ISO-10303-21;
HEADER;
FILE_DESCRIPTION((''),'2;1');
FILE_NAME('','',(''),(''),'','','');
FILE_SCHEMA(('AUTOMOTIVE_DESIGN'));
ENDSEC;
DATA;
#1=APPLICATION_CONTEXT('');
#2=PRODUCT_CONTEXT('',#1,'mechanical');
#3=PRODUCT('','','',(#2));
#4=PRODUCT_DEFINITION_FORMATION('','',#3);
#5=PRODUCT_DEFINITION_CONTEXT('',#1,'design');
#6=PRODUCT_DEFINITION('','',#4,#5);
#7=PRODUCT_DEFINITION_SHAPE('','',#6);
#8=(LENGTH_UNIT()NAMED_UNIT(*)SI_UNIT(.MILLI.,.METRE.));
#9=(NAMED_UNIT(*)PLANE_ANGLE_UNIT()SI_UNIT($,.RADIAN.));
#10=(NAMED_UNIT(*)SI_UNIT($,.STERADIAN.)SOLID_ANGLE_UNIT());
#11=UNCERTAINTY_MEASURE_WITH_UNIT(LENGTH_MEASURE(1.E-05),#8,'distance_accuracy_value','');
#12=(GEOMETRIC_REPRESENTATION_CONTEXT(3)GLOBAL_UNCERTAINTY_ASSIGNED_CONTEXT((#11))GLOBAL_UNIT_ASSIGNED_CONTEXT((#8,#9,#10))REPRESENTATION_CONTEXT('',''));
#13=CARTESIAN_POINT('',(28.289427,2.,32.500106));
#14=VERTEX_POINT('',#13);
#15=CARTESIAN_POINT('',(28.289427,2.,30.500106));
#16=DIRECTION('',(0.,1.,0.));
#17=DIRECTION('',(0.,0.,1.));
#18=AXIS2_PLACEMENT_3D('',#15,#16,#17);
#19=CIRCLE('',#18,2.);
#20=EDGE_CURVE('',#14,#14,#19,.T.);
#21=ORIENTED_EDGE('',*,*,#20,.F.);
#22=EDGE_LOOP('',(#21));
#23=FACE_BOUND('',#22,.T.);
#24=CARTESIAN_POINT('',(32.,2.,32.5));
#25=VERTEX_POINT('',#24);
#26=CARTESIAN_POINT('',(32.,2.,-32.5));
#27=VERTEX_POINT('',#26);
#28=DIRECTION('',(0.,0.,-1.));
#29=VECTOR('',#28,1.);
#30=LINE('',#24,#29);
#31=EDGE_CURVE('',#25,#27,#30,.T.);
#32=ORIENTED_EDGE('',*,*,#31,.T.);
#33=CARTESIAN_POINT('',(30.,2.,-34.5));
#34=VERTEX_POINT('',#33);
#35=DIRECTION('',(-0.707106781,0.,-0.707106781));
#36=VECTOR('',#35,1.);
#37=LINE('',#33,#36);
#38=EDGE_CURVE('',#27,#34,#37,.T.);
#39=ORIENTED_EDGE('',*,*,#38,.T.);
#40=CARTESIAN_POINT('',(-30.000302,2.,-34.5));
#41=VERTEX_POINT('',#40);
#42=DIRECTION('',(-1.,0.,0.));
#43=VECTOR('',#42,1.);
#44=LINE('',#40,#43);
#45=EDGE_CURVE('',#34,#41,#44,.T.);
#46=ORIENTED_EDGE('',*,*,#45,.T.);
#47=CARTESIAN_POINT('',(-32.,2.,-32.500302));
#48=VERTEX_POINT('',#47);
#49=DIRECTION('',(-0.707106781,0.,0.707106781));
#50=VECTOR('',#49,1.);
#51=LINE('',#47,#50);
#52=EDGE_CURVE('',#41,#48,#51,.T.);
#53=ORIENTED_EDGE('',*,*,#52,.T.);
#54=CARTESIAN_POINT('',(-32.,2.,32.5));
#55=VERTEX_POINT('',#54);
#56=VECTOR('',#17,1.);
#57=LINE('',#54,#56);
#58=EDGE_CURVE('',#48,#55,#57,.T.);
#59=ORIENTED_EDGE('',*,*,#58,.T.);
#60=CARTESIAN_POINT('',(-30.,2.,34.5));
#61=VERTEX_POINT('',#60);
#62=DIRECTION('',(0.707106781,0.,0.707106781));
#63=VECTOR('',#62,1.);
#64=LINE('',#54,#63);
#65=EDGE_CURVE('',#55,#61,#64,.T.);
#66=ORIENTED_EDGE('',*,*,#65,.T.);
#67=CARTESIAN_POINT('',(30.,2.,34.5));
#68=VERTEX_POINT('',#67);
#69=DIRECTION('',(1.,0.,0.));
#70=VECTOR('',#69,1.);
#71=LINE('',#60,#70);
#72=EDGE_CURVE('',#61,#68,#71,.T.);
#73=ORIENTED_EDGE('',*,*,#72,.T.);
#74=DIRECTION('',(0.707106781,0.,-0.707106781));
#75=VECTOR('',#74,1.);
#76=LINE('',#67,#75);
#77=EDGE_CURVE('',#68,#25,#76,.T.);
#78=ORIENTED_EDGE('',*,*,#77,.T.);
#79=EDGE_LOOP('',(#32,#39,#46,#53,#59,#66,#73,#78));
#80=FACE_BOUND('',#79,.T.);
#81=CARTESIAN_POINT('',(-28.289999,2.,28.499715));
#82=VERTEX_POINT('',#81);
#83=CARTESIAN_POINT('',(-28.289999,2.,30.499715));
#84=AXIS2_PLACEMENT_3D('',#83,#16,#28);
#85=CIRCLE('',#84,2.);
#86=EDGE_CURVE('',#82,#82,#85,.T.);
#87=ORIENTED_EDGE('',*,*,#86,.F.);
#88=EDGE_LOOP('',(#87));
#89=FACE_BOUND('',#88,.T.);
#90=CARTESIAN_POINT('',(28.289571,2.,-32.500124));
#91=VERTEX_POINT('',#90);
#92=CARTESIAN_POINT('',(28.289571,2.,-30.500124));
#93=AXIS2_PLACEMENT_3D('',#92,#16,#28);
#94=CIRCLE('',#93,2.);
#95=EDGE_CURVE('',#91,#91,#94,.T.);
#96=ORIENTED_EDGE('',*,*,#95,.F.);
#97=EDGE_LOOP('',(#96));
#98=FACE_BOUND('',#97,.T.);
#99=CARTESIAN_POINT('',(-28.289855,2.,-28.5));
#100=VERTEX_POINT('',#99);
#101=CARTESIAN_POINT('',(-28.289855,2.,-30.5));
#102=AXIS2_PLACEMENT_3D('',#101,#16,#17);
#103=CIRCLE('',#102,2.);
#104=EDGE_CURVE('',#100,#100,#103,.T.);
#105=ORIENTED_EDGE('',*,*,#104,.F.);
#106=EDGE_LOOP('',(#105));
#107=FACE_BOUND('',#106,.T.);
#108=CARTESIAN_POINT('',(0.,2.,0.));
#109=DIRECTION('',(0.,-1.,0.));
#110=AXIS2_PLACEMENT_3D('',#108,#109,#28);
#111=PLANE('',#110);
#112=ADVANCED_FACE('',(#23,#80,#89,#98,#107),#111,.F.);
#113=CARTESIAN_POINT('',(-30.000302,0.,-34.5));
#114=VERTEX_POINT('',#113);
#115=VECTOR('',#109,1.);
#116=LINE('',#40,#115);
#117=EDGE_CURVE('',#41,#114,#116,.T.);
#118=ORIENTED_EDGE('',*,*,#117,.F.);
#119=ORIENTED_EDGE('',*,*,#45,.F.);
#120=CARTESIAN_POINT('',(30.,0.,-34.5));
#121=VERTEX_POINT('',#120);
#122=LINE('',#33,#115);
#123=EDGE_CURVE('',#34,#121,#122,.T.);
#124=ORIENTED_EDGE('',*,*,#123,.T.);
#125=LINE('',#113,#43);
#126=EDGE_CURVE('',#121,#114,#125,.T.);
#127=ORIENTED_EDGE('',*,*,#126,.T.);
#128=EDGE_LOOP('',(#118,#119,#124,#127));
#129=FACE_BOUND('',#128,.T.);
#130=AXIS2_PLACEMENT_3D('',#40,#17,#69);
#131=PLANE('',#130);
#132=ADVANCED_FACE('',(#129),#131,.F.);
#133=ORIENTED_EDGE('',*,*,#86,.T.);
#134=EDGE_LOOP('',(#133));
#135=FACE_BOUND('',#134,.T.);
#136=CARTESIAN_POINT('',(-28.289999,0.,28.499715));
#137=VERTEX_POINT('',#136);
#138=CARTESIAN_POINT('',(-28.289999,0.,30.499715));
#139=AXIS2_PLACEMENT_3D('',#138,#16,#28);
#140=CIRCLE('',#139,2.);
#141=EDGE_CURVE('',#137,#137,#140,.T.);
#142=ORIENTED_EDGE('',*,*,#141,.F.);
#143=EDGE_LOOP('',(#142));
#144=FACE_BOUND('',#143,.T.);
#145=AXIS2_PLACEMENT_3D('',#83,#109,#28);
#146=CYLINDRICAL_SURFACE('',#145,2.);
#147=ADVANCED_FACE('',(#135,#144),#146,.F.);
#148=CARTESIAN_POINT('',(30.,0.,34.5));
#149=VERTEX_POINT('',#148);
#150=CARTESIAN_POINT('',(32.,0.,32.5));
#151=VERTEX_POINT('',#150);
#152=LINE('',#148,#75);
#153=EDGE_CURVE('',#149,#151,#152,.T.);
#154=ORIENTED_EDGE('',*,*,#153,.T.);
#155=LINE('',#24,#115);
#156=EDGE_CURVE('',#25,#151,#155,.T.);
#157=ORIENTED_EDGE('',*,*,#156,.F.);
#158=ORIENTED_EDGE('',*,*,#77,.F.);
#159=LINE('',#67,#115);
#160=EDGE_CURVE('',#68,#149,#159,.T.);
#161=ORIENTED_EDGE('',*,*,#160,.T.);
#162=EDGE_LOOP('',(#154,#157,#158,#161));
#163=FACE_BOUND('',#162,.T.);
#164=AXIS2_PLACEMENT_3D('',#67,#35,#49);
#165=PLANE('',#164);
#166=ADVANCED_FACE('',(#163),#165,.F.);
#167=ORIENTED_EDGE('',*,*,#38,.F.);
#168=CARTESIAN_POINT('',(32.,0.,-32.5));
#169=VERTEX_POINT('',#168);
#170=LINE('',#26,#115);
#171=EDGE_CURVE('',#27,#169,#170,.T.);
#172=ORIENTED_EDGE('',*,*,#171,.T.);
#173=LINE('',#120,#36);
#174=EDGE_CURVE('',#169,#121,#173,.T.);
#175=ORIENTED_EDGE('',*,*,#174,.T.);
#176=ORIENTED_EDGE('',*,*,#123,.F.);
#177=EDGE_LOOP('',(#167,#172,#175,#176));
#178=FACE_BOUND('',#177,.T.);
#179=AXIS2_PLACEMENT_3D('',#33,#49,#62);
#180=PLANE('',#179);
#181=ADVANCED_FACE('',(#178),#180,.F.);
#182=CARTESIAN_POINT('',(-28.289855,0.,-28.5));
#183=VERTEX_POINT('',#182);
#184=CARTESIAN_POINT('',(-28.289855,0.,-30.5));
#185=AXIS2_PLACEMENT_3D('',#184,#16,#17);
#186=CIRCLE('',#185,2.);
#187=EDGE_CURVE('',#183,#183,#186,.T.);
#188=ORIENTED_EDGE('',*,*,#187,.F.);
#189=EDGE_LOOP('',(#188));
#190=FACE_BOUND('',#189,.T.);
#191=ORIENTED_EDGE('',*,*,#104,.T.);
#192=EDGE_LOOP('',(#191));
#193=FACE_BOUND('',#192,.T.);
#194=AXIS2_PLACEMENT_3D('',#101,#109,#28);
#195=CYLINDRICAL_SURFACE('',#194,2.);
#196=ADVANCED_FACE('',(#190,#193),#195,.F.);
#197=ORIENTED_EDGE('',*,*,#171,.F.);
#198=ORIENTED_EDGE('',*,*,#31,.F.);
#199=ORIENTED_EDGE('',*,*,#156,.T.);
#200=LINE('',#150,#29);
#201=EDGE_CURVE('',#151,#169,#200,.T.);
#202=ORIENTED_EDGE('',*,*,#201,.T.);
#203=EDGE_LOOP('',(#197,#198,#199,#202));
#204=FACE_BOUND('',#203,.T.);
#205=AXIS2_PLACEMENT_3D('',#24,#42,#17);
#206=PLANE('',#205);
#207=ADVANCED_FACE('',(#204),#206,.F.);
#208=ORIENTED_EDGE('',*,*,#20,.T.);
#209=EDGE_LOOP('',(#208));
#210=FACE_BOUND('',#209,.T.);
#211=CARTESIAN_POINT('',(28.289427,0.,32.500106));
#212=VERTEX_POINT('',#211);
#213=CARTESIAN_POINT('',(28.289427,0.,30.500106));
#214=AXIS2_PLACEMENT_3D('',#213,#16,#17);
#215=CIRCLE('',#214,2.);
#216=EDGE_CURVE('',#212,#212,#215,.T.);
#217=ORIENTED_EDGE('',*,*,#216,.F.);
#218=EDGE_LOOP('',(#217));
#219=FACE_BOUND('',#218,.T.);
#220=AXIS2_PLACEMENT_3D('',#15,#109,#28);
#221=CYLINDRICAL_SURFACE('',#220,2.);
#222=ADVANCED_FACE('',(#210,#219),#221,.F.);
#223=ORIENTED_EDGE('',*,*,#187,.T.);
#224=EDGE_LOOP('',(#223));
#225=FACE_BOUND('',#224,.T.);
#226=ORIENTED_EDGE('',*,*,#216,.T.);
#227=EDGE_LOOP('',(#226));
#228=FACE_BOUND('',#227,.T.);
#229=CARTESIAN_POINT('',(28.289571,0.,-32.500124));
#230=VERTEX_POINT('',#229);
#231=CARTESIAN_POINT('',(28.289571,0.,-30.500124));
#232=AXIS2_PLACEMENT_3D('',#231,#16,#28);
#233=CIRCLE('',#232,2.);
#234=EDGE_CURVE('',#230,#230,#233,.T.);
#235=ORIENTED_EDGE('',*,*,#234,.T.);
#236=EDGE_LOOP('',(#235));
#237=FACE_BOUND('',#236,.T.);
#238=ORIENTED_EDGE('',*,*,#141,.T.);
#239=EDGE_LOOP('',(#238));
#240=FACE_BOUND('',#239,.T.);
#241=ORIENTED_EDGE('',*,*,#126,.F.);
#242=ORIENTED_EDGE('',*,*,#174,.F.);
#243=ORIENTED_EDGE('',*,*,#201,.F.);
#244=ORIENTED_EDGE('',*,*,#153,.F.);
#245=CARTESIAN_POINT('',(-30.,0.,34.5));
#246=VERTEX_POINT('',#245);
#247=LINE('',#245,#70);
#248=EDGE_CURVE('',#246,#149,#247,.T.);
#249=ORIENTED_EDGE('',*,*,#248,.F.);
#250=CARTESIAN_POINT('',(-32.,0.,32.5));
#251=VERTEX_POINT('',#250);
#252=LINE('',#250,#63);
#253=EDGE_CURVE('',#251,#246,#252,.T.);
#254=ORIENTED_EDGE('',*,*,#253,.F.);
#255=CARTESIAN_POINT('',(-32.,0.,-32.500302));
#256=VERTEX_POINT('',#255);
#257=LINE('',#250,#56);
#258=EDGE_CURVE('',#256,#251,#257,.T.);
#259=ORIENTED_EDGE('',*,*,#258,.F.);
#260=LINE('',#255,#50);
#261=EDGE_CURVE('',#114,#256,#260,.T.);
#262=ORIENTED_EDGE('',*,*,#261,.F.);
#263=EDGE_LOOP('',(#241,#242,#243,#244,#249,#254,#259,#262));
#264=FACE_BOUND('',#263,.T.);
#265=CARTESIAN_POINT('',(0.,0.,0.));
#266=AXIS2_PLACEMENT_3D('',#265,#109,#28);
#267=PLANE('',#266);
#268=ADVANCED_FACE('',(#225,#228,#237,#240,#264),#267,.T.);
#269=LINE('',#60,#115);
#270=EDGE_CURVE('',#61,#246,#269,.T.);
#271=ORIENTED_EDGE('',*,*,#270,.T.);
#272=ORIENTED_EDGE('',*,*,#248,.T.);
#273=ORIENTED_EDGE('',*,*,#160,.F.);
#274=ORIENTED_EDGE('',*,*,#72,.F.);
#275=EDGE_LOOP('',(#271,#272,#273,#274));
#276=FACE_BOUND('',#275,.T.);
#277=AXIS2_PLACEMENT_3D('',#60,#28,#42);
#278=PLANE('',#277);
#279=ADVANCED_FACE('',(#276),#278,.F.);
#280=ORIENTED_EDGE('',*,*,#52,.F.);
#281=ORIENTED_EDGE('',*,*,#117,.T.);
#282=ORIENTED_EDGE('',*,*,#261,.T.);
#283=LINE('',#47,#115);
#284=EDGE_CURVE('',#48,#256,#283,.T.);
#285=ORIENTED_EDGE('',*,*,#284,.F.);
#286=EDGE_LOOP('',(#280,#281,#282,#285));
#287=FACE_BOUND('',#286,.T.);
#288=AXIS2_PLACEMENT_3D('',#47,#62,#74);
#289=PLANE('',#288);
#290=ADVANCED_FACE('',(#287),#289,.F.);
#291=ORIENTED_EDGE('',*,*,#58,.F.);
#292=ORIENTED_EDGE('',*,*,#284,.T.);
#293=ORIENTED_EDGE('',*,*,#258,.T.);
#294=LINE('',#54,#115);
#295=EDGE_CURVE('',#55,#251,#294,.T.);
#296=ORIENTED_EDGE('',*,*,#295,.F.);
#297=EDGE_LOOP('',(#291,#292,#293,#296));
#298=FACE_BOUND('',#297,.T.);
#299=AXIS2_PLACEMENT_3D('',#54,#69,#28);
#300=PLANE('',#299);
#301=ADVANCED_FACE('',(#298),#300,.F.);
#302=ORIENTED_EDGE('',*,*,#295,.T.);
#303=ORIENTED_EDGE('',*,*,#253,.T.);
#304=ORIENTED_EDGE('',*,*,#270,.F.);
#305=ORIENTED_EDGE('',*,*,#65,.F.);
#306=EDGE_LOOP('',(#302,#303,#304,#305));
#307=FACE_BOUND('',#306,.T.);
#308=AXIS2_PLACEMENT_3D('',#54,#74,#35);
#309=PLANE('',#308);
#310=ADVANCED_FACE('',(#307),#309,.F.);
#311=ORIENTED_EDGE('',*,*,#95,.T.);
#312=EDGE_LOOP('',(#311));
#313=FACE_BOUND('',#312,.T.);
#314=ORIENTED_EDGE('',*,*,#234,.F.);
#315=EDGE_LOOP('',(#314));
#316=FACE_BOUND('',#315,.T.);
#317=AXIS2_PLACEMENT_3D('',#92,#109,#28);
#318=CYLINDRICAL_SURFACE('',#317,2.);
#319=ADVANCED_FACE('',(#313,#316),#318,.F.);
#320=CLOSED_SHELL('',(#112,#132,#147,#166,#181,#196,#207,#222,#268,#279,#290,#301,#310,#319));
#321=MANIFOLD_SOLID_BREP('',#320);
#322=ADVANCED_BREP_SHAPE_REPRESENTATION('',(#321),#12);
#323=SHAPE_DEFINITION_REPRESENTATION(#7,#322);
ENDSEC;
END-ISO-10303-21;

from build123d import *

# Parameters (mm, degrees)
SKETCH1_R           = 2
BOSS_EXTRUDE1_DEPTH = 2


with BuildPart() as part:
    # Sketch1 → Boss-Extrude1 (new body)
    with BuildSketch(Plane(origin=(0, 0, 0), x_dir=(1, 0, 0), z_dir=(0, 1, 0))):
        Polygon((-32, 32.500302023), (-30.000302023, 34.5), (30, 34.5), (32, 32.5), (32, -32.5), (30, -34.5), (-30, -34.5), (-32, -32.5), align=None)
        with Locations((-28.289855072, 30.5)):
            Circle(SKETCH1_R, mode=Mode.SUBTRACT)
        with Locations((28.289570558, 30.500123828)):
            Circle(SKETCH1_R, mode=Mode.SUBTRACT)
        with Locations((-28.289999005, -30.499715485)):
            Circle(SKETCH1_R, mode=Mode.SUBTRACT)
        with Locations((28.289426625, -30.500106318)):
            Circle(SKETCH1_R, mode=Mode.SUBTRACT)
    extrude(amount=BOSS_EXTRUDE1_DEPTH)


solid = part.part
